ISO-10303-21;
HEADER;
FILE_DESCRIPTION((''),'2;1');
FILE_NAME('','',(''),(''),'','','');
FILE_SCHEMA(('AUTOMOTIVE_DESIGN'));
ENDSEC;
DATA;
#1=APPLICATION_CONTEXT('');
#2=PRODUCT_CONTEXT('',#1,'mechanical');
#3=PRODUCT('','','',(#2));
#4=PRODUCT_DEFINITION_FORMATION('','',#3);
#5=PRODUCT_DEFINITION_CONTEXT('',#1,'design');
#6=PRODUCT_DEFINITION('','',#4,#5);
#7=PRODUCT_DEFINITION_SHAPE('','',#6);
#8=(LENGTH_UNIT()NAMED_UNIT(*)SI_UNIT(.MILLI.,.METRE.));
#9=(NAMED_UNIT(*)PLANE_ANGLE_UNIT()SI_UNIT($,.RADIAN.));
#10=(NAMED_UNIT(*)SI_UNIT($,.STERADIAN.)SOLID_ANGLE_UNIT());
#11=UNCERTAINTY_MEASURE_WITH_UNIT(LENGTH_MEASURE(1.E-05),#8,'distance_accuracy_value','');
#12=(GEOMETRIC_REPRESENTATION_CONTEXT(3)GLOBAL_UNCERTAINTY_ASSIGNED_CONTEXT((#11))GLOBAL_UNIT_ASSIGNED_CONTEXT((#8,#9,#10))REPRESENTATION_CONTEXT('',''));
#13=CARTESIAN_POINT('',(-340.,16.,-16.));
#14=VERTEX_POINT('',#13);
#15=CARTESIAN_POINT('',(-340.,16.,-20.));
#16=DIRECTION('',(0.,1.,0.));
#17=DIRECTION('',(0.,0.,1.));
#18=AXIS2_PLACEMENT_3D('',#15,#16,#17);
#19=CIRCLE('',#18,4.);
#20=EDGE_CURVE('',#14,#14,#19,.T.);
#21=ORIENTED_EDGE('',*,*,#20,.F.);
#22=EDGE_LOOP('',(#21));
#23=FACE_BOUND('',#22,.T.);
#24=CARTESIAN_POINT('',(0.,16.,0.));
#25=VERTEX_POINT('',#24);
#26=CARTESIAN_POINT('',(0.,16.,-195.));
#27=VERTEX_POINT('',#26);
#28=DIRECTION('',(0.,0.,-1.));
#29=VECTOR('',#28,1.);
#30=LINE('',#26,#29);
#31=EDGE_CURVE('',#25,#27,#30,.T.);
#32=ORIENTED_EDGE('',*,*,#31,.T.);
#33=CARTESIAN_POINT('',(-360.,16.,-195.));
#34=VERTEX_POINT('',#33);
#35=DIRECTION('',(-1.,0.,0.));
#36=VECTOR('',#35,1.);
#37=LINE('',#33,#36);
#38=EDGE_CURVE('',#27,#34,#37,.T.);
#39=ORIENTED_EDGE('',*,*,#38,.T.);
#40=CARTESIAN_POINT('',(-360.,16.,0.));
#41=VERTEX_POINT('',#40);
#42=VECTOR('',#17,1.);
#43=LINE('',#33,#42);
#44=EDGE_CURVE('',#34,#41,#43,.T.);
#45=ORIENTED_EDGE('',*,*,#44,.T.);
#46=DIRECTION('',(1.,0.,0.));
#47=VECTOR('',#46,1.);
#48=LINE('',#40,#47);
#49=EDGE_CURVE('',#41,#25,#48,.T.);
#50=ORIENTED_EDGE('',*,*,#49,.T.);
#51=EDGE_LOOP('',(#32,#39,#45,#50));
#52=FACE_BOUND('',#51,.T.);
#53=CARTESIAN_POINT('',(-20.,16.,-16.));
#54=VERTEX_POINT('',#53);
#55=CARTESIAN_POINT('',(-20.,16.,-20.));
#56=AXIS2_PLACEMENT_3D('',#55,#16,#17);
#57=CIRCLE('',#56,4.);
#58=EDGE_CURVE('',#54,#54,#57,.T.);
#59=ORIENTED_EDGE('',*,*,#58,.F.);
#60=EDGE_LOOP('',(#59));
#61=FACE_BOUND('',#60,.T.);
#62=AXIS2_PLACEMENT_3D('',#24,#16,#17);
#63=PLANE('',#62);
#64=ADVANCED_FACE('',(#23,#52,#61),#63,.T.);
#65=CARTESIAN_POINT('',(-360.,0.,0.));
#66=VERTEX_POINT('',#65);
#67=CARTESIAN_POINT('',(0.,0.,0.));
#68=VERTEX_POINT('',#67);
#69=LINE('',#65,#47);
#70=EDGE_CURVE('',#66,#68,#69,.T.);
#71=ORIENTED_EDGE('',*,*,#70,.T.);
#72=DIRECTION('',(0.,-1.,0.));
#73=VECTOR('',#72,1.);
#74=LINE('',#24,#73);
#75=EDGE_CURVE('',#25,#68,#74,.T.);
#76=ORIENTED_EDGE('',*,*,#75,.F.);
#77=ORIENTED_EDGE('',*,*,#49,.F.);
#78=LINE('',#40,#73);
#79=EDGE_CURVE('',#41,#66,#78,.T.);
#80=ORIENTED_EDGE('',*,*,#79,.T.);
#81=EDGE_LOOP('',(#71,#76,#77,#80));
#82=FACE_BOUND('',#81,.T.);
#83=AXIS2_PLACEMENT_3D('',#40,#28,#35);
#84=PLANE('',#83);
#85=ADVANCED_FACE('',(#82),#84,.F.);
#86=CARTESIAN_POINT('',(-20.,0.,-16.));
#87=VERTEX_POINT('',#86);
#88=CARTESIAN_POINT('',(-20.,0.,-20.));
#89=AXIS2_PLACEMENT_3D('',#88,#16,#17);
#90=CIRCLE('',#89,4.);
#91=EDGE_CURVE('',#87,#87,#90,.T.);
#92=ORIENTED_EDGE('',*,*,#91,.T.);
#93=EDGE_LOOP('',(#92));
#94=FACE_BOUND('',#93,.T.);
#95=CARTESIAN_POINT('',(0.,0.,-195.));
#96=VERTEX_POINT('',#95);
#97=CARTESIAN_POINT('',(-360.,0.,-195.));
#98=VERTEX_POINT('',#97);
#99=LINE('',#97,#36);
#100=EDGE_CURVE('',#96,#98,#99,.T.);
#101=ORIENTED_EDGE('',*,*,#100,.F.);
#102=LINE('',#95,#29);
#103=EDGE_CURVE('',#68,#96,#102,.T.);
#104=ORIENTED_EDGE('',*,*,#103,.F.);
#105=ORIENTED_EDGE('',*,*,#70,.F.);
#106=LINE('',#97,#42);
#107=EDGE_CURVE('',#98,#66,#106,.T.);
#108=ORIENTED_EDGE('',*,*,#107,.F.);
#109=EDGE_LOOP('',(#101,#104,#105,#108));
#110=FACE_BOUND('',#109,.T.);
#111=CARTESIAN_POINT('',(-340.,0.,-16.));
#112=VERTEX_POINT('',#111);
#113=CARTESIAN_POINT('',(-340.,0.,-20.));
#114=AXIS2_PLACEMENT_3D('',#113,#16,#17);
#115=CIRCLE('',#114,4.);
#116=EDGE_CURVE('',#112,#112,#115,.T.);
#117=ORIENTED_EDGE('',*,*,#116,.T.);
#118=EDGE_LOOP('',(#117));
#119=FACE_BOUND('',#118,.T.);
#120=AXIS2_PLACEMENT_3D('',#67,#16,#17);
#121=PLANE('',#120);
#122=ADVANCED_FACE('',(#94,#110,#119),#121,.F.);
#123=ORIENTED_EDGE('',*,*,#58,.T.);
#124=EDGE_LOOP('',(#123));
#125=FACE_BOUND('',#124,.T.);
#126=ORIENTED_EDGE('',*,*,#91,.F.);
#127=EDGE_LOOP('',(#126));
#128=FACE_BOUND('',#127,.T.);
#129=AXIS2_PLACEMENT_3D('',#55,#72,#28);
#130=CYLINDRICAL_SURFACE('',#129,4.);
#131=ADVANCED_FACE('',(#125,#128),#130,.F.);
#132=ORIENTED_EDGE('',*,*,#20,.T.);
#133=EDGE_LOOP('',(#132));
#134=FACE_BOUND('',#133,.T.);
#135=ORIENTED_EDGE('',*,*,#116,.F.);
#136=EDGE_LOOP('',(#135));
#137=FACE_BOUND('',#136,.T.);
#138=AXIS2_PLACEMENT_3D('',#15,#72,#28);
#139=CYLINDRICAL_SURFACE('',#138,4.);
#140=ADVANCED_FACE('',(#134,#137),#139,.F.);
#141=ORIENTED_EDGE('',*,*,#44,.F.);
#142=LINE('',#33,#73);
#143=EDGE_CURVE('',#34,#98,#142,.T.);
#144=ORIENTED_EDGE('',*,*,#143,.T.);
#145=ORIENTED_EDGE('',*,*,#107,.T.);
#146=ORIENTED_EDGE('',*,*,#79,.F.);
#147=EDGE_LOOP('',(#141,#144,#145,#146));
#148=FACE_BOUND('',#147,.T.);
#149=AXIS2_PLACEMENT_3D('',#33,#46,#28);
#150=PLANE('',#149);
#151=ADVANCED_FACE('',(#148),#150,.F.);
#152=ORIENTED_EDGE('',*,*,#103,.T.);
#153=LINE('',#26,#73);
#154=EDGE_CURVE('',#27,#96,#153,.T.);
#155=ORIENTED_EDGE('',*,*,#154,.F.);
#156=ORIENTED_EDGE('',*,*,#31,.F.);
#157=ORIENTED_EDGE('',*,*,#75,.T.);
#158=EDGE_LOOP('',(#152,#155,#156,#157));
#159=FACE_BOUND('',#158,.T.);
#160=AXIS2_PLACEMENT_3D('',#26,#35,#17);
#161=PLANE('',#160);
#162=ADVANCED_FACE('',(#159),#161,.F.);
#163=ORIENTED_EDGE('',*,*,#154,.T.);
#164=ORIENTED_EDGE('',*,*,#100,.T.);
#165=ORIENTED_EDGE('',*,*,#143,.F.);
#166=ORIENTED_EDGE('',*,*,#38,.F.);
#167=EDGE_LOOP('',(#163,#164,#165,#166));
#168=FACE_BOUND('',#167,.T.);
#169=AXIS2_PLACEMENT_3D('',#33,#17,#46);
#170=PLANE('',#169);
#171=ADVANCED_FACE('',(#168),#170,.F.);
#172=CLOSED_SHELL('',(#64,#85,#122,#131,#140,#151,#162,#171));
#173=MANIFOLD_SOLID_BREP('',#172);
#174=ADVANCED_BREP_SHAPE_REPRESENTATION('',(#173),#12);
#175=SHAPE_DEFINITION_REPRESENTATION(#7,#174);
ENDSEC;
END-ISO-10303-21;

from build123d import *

# Parameters (mm, degrees)
SKETCH_1_W      = 360
SKETCH_1_H      = 195
SKETCH_1_R      = 4
EXTRUDE_1_DEPTH = 16


with BuildPart() as part:
    # Эскиз1 → Бобышка-Вытянуть1 (new body)
    with BuildSketch(Plane(origin=(0, 0, 0), x_dir=(1, 0, 0), z_dir=(0, 1, 0))):
        with Locations((-180, 97.5)):
            Rectangle(SKETCH_1_W, SKETCH_1_H)
        with Locations(Location((-340, 20, 0), (0, 0, 270))):
            Circle(SKETCH_1_R, mode=Mode.SUBTRACT)
        with Locations(Location((-20, 20, 0), (0, 0, 270))):
            Circle(SKETCH_1_R, mode=Mode.SUBTRACT)
    extrude(amount=EXTRUDE_1_DEPTH)


solid = part.part
